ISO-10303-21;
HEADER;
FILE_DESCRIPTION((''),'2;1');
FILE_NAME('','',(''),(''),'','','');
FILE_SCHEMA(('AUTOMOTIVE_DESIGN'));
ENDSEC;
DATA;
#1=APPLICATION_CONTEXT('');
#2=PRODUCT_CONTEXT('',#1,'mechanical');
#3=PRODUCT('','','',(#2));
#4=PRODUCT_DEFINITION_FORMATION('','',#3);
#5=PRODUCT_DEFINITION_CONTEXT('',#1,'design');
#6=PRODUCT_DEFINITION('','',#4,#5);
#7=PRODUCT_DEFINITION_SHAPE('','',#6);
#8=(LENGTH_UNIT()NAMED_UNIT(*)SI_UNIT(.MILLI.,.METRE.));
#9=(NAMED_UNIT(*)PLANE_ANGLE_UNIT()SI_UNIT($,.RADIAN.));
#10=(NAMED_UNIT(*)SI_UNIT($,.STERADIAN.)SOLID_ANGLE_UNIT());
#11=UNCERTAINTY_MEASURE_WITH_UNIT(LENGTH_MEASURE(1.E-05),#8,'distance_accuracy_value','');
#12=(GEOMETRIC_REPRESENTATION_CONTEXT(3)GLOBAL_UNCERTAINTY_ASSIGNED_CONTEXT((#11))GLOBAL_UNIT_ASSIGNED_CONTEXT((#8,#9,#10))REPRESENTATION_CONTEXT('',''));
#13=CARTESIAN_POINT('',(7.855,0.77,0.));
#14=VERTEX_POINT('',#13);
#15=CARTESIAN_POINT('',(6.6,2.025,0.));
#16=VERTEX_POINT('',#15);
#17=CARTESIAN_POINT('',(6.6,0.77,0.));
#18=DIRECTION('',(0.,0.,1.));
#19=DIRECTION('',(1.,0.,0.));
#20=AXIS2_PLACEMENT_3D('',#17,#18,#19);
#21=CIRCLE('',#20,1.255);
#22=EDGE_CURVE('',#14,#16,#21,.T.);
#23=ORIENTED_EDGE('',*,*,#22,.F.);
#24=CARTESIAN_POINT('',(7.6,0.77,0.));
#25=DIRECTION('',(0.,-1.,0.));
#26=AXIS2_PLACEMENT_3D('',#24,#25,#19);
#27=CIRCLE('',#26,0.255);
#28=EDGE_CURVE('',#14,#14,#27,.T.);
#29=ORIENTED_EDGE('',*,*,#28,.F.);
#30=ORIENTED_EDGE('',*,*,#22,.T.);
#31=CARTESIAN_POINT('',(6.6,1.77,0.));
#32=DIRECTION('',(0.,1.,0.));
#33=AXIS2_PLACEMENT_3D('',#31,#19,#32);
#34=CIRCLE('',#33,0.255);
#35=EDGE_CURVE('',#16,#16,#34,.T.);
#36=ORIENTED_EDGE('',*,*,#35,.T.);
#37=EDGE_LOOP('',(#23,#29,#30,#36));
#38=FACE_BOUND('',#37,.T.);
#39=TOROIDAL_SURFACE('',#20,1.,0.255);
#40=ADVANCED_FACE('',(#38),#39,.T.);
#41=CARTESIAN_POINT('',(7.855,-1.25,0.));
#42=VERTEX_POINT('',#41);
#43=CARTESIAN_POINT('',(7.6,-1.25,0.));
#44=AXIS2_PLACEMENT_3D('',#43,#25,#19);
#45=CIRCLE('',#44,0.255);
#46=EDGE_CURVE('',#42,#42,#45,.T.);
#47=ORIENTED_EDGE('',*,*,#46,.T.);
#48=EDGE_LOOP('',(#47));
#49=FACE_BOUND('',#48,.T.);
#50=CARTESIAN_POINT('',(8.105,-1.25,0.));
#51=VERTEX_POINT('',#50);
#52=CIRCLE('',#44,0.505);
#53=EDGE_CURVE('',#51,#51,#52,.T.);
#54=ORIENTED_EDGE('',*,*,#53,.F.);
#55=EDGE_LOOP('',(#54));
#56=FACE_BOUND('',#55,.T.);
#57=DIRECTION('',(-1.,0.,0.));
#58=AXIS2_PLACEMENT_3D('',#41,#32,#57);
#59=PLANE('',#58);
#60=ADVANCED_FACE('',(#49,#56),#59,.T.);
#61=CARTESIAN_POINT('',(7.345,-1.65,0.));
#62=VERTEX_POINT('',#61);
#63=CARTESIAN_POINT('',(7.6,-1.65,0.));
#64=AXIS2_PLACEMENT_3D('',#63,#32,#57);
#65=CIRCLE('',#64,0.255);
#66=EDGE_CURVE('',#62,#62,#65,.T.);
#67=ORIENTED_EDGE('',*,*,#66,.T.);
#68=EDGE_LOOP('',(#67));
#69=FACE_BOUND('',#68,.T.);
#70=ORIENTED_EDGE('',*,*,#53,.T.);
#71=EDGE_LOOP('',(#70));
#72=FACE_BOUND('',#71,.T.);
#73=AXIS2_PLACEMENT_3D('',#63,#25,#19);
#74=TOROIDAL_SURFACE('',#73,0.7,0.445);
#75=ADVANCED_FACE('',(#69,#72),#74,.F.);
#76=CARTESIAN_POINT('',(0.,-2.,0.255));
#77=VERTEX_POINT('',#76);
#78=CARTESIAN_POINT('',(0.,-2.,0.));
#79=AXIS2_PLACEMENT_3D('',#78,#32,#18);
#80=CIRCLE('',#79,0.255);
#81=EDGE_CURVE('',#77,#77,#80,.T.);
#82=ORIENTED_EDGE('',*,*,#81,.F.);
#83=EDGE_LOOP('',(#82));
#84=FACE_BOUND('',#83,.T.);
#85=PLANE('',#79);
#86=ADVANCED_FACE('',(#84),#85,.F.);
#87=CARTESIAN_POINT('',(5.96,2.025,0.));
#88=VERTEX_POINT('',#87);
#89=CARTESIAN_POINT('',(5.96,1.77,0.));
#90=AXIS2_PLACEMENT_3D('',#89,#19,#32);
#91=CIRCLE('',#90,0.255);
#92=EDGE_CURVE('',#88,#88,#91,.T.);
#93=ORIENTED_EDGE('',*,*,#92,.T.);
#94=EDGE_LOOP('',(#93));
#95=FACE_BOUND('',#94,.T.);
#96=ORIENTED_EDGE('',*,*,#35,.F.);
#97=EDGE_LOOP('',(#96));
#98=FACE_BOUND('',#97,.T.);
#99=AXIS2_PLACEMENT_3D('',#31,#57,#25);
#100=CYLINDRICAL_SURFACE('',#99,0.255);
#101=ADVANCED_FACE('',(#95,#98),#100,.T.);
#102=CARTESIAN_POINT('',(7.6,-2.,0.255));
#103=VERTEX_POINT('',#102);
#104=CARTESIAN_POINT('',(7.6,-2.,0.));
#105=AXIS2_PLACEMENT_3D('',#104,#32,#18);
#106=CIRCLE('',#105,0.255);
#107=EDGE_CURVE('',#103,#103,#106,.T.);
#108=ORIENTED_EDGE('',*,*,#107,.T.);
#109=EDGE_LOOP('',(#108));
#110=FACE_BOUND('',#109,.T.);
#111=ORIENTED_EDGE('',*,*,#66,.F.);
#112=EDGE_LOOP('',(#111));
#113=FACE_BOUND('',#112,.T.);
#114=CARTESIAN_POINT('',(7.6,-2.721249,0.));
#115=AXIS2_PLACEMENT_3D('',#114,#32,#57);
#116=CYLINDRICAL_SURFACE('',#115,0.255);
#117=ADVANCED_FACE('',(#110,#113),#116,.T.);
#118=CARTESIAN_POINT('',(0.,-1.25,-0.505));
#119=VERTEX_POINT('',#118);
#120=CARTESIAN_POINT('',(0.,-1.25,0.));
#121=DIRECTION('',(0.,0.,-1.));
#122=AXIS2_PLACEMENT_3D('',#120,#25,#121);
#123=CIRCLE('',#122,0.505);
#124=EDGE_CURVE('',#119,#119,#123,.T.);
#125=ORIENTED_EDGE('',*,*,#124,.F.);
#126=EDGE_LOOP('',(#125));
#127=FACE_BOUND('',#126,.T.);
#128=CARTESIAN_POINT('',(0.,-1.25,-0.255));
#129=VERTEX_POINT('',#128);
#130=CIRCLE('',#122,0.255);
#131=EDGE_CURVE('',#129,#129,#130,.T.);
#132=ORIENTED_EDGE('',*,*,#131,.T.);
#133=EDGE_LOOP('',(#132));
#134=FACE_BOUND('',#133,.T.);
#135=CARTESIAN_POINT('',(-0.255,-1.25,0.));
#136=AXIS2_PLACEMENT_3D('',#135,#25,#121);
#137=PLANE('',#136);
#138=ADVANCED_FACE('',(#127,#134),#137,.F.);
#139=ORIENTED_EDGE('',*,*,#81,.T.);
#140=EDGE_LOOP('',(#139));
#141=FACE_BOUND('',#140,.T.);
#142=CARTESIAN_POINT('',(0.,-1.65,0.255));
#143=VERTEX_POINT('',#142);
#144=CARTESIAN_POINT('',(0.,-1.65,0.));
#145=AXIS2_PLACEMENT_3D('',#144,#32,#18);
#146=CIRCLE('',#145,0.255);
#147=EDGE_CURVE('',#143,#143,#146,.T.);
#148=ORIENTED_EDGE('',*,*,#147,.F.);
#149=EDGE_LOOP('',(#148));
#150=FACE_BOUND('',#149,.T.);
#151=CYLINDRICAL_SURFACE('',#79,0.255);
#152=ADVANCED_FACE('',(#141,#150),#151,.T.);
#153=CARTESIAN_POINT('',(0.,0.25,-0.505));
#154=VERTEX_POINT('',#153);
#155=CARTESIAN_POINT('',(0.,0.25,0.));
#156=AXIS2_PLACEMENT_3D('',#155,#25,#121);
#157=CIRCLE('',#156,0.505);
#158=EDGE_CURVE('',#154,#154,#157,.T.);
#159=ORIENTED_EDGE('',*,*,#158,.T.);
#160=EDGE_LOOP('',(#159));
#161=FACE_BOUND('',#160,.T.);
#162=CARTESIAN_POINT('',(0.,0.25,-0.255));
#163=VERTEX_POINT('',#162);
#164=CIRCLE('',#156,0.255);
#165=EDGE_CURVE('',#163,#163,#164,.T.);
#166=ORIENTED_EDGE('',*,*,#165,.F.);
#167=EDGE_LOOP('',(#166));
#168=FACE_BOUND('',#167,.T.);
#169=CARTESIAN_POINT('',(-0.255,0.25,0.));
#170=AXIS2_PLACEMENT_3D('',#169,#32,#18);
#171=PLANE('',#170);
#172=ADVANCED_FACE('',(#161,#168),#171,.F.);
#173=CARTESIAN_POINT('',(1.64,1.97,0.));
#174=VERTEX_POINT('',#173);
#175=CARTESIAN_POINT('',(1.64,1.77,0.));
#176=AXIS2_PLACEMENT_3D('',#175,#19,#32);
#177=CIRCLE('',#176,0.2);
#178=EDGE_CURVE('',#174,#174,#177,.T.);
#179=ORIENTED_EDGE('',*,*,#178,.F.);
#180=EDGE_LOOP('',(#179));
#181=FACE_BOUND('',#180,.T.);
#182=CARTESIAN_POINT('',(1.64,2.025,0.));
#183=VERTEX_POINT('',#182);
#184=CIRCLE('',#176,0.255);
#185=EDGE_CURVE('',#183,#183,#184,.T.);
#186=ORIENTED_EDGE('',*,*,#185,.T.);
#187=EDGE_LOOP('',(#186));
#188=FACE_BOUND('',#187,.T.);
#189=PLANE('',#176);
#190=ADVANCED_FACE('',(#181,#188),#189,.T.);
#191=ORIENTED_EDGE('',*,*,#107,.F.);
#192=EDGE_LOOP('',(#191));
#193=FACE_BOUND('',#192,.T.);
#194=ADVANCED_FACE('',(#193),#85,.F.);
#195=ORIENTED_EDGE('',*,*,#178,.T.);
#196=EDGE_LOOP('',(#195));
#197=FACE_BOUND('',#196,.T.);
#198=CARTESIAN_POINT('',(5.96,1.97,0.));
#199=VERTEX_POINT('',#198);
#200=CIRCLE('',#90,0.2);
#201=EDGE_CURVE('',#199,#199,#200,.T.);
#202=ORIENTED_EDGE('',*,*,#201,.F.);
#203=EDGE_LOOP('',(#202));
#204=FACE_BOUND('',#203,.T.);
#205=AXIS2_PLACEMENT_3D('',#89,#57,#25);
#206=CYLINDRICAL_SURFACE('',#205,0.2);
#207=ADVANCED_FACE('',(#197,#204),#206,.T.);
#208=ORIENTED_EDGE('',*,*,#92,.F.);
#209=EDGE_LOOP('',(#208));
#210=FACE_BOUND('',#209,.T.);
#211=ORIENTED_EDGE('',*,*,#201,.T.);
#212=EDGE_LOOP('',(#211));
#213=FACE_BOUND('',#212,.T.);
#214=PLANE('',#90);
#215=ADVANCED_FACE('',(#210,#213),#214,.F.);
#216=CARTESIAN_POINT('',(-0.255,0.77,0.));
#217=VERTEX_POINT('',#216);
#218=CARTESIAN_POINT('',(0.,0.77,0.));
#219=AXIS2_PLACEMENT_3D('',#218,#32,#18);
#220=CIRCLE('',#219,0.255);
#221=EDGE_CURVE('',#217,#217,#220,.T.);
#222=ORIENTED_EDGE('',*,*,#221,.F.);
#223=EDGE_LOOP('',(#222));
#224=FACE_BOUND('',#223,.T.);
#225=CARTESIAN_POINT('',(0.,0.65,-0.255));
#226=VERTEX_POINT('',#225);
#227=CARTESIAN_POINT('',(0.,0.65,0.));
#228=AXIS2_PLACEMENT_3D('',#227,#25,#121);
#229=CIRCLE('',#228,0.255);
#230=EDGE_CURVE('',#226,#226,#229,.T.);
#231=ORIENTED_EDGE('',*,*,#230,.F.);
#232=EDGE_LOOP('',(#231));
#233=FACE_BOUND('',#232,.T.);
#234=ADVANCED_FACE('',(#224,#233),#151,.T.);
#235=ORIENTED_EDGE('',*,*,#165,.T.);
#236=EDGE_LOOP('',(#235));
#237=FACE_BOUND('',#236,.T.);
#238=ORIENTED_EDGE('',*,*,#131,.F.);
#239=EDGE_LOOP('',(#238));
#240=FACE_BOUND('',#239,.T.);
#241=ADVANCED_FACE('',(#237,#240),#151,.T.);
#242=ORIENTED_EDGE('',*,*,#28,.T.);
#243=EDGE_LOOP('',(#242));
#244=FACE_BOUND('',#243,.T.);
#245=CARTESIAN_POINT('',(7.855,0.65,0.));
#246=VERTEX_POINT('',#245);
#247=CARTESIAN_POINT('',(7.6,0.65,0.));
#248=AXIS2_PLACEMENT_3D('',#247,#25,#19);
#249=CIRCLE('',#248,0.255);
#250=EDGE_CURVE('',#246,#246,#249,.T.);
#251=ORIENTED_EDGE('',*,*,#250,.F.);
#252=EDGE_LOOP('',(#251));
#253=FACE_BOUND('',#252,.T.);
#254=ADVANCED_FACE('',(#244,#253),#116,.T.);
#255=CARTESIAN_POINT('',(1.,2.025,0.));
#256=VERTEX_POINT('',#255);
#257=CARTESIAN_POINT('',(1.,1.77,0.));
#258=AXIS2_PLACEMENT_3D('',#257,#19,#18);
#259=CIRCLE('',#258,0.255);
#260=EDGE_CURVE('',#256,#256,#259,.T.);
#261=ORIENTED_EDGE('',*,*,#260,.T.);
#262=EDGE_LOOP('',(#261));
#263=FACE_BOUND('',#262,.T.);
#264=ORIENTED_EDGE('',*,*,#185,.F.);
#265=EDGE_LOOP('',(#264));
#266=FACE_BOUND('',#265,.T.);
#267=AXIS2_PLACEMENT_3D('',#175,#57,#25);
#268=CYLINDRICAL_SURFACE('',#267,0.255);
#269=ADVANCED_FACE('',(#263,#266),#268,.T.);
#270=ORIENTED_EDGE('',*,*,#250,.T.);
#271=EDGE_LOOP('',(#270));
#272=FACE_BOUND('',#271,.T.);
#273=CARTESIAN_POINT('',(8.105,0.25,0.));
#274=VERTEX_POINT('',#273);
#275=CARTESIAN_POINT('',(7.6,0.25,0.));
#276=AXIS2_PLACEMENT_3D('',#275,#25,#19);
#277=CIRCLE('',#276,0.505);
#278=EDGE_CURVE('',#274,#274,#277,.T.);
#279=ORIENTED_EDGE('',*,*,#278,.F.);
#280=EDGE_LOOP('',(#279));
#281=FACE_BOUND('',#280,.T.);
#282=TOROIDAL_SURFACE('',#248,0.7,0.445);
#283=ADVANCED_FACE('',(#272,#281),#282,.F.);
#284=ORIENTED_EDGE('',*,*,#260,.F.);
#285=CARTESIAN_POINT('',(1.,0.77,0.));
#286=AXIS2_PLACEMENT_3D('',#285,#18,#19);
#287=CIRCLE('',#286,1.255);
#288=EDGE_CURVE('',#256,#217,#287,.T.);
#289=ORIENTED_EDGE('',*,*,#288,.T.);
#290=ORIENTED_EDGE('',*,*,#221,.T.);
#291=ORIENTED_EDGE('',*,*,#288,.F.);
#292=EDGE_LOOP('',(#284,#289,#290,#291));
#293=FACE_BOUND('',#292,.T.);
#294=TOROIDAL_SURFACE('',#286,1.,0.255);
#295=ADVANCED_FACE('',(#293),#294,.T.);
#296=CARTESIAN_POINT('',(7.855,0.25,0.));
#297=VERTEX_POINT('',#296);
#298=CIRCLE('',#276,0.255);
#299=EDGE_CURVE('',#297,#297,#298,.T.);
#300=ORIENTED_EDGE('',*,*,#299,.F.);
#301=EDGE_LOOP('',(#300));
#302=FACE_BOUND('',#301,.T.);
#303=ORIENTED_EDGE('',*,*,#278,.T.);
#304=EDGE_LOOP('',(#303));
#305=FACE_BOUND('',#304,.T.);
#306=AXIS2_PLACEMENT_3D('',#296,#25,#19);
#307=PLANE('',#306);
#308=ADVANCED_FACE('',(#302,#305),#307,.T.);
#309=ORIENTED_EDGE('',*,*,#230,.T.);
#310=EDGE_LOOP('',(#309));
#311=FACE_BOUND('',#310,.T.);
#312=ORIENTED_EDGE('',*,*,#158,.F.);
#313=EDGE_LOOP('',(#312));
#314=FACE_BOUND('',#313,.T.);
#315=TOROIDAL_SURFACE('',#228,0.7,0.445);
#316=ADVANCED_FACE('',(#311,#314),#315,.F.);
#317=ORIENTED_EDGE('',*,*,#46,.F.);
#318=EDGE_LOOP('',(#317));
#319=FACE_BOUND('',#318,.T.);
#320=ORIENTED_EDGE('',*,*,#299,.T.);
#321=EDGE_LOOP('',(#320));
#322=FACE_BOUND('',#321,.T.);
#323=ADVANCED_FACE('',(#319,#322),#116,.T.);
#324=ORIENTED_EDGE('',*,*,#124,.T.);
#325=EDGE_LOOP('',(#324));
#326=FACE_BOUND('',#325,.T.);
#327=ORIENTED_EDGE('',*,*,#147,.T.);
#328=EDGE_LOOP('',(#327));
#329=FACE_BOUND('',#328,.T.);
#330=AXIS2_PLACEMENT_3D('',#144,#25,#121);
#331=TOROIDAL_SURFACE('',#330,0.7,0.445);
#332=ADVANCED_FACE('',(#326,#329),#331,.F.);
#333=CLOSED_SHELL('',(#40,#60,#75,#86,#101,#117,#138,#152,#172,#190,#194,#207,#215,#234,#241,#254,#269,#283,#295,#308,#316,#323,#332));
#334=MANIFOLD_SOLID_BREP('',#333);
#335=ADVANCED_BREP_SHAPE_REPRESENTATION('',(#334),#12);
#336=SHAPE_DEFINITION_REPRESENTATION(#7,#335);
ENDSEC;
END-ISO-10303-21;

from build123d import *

# Parameters (mm, degrees)
SKETCH1_R      = 0.255
EXTRUDE1_DEPTH = 2
SKETCH2_R      = 0.255
EXTRUDE2_DEPTH = 0.77
SKETCH3_R      = 0.255
REVOLVE1_ANGLE = 90
SKETCH4_R      = 0.255
EXTRUDE4_DEPTH = 0.64
SKETCH6_R      = 0.2
EXTRUDE5_DEPTH = 4.32
SKETCH7_R      = 0.255
EXTRUDE6_DEPTH = 0.64
SKETCH8_R      = 0.255
REVOLVE3_ANGLE = 90
SKETCH9_R      = 0.255
EXTRUDE7_DEPTH = 2.77


with BuildPart() as part:
    # Sketch1 → Extrude1 (new body)
    with BuildSketch(Plane(origin=(0, 0, 0), x_dir=(1, 0, 0), z_dir=(0, 1, 0))):
        with Locations(Location((0, 0, 0), (0, 0, 270))):  # turned: the seam where the file's is
            Circle(SKETCH1_R)
    extrude(amount=-EXTRUDE1_DEPTH)

    # Sketch2 → Extrude2 (add)
    with BuildSketch(Plane(origin=(0, 0, 0), x_dir=(1, 0, 0), z_dir=(0, 1, 0))):
        with Locations(Location((0, 0, 0), (0, 0, 270))):  # turned: the seam where the file's is
            Circle(SKETCH2_R)
    extrude(amount=EXTRUDE2_DEPTH)

    # Sketch3 → Revolve1 (revolve)
    with BuildSketch(Plane(origin=(0, 0.77, 0), x_dir=(1, 0, 0), z_dir=(0, 1, 0))):
        with Locations(Location((0, 0, 0), (0, 0, 270))):  # turned: the seam where the file's is
            Circle(SKETCH3_R)
    revolve(axis=Axis((1, 0.77, -0.255), (0, 0, -1)), revolution_arc=REVOLVE1_ANGLE)

    # Sketch4 → Extrude4 (add)
    with BuildSketch(Plane(origin=(1, 0, 0), x_dir=(0, 0, -1), z_dir=(1, 0, 0))):
        with Locations(Location((0, 1.77, 0), (0, 0, 90))):  # turned: the seam where the file's is
            Circle(SKETCH4_R)
    extrude(amount=EXTRUDE4_DEPTH)

    # Sketch6 → Extrude5 (add)
    with BuildSketch(Plane(origin=(1.64, 0, 0), x_dir=(0, 0, -1), z_dir=(1, 0, 0))):
        with Locations(Location((0, 1.77, 0), (0, 0, 90))):  # turned: the seam where the file's is
            Circle(SKETCH6_R)
    extrude(amount=EXTRUDE5_DEPTH)

    # Sketch7 → Extrude6 (add)
    with BuildSketch(Plane(origin=(5.96, 0, 0), x_dir=(0, 0, -1), z_dir=(1, 0, 0))):
        with Locations(Location((0, 1.77, 0), (0, 0, 90))):  # turned: the seam where the file's is
            Circle(SKETCH7_R)
    extrude(amount=EXTRUDE6_DEPTH)

    # Sketch8 → Revolve3 (revolve)
    with BuildSketch(Plane(origin=(6.6, 0, 0), x_dir=(0, 0, -1), z_dir=(1, 0, 0))):
        with Locations(Location((0, 1.77, 0), (0, 0, 90))):  # turned: the seam where the file's is
            Circle(SKETCH8_R)
    revolve(axis=Axis((6.6, 0.77, 0.255), (0, 0, -1)), revolution_arc=REVOLVE3_ANGLE)

    # Sketch9 → Extrude7 (add)
    with BuildSketch(Plane.XZ.offset(-0.77)):
        with Locations(Location((7.6, 0, 0), (0, 0, 90))):  # turned: the seam where the file's is
            Circle(SKETCH9_R)
    extrude(amount=EXTRUDE7_DEPTH)

    # Sketch10 → Revolve4 (revolve)
    with BuildSketch(Plane.XY, mode=Mode.PRIVATE) as revolve4_sk:
        with BuildLine():
            Line((-0.255, 0.25), (-0.255, 0.65))
            ThreePointArc((-0.255, 0.65), (-0.322640755, 0.414150472), (-0.505, 0.25))
            Line((-0.505, 0.25), (-0.255, 0.25))
        make_face()
        with BuildLine():
            Line((-0.255, -1.25), (-0.505, -1.25))
            ThreePointArc((-0.505, -1.25), (-0.322640755, -1.414150472), (-0.255, -1.65))
            Line((-0.255, -1.65), (-0.255, -1.25))
        make_face()
    revolve(revolve4_sk.sketch.rotate(Axis((0, -2, 0), (0, 1, 0)), 270), axis=Axis((0, -2, 0), (0, 1, 0)))  # turned: the seam where the file's is

    # Sketch11 → Revolve5 (revolve)
    with BuildSketch(Plane.XY):
        with BuildLine():
            Line((7.855, 0.25), (8.105, 0.25))
            ThreePointArc((8.105, 0.25), (7.922640755, 0.414150472), (7.855, 0.65))
            Line((7.855, 0.65), (7.855, 0.25))
        make_face()
        with BuildLine():
            Line((7.855, -1.25), (8.105, -1.25))
            ThreePointArc((8.105, -1.25), (7.922640755, -1.414150472), (7.855, -1.65))
            Line((7.855, -1.65), (7.855, -1.25))
        make_face()
    revolve(axis=Axis((7.6, -2, 0), (0, 1, 0)))


solid = part.part
